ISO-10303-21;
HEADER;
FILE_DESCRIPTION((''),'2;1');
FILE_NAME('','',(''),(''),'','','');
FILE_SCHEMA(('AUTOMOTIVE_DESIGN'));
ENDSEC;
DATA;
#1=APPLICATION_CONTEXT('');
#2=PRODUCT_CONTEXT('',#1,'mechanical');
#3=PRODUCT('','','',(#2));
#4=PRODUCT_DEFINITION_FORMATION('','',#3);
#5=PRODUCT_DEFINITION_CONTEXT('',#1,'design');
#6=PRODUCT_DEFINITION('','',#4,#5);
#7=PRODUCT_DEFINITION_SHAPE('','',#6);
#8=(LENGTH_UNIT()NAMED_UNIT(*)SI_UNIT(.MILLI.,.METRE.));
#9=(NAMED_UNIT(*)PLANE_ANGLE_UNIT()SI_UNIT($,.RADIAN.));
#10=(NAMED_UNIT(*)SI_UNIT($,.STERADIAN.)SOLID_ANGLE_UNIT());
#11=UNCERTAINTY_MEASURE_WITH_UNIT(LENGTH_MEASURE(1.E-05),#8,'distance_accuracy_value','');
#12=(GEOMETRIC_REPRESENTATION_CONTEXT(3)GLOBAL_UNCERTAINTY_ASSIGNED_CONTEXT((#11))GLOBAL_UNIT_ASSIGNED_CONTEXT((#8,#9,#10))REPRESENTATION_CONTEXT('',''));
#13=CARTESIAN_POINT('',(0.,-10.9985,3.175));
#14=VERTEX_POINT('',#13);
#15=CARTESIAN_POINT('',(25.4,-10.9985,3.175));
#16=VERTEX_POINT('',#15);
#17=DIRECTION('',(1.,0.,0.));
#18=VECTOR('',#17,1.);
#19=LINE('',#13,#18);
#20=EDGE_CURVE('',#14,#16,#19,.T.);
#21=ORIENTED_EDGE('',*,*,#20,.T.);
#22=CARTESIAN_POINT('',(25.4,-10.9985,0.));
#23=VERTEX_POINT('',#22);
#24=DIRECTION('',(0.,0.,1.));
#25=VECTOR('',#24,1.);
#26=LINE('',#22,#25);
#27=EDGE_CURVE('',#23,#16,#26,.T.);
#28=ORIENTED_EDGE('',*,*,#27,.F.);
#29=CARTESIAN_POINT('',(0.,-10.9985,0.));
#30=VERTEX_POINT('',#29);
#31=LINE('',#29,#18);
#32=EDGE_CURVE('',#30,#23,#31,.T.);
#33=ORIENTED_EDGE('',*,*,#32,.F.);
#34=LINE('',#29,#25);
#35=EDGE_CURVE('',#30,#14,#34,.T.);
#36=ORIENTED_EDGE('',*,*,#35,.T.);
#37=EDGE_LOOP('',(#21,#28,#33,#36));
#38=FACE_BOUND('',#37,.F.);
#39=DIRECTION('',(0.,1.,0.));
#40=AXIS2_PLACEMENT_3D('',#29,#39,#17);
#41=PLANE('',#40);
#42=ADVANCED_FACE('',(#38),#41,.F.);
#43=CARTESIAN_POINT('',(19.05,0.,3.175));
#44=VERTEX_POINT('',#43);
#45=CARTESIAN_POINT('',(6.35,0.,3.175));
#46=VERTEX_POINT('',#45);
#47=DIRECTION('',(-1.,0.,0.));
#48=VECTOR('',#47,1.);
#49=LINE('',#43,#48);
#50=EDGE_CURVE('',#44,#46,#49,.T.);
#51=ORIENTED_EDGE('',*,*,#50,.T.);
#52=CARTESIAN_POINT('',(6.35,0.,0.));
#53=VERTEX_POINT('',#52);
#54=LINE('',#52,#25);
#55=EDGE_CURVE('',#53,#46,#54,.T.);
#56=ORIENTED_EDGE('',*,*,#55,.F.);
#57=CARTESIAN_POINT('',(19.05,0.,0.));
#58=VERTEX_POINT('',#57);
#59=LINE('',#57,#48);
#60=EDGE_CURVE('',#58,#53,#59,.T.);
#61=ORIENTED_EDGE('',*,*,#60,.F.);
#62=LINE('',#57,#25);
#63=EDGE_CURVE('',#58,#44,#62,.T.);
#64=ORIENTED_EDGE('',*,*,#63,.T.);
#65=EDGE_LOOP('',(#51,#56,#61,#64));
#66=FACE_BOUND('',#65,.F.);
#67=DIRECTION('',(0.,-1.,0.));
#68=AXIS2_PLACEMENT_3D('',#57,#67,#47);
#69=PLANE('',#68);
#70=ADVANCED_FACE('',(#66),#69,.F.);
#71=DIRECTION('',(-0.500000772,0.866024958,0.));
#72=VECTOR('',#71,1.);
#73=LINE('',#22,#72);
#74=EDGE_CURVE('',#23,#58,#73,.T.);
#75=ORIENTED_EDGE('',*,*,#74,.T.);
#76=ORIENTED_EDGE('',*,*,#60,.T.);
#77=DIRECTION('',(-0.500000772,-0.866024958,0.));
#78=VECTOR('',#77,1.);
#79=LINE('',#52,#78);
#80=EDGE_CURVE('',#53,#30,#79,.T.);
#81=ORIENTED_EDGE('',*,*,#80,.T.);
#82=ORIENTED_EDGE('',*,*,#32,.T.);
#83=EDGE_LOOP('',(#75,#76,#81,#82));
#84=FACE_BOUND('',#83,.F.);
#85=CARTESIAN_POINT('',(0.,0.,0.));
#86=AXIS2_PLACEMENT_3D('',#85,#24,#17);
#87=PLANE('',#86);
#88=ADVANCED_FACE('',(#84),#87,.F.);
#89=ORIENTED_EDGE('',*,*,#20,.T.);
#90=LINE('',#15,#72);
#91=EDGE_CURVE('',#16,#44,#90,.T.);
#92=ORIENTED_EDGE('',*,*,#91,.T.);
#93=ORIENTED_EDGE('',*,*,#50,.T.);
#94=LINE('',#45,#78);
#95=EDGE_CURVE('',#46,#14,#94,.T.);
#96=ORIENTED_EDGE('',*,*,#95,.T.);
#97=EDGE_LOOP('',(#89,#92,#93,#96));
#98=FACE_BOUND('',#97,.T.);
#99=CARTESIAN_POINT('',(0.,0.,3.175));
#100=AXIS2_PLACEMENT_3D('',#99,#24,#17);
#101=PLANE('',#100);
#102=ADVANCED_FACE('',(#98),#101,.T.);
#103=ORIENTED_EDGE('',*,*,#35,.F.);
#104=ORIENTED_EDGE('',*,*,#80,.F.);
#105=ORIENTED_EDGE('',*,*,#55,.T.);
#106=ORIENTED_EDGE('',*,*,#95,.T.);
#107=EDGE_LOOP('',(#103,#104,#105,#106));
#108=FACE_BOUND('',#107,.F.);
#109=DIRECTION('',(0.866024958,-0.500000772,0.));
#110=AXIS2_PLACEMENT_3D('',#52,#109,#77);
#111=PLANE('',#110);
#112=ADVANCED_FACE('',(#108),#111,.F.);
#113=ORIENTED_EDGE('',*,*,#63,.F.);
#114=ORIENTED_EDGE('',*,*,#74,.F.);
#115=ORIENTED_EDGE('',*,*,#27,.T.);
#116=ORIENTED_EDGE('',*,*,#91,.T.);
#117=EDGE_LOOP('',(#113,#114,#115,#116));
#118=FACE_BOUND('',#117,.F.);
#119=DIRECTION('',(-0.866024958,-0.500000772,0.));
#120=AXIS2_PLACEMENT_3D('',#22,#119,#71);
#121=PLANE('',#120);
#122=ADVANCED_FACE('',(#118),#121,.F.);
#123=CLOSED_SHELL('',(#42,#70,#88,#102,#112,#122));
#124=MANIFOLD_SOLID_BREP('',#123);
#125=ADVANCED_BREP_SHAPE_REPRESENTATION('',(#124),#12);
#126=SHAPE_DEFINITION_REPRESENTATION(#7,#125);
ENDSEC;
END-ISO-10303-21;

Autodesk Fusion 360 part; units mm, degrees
sketch "Trapezoid" plane through (0, 0, 0) normal (0, 0, 1) x (1, 0, 0)
  line L0 (19.05, 0) -> (6.35, 0)
  line L1 (25.4, -10.9985) -> (19.05, 0)
  line L2 (0, -10.9985) -> (25.4, -10.9985)
  line L3 (6.35, 0) -> (0, -10.9985)
extrude "Extrude1" add sketch "Trapezoid" along normal blind 3.175
